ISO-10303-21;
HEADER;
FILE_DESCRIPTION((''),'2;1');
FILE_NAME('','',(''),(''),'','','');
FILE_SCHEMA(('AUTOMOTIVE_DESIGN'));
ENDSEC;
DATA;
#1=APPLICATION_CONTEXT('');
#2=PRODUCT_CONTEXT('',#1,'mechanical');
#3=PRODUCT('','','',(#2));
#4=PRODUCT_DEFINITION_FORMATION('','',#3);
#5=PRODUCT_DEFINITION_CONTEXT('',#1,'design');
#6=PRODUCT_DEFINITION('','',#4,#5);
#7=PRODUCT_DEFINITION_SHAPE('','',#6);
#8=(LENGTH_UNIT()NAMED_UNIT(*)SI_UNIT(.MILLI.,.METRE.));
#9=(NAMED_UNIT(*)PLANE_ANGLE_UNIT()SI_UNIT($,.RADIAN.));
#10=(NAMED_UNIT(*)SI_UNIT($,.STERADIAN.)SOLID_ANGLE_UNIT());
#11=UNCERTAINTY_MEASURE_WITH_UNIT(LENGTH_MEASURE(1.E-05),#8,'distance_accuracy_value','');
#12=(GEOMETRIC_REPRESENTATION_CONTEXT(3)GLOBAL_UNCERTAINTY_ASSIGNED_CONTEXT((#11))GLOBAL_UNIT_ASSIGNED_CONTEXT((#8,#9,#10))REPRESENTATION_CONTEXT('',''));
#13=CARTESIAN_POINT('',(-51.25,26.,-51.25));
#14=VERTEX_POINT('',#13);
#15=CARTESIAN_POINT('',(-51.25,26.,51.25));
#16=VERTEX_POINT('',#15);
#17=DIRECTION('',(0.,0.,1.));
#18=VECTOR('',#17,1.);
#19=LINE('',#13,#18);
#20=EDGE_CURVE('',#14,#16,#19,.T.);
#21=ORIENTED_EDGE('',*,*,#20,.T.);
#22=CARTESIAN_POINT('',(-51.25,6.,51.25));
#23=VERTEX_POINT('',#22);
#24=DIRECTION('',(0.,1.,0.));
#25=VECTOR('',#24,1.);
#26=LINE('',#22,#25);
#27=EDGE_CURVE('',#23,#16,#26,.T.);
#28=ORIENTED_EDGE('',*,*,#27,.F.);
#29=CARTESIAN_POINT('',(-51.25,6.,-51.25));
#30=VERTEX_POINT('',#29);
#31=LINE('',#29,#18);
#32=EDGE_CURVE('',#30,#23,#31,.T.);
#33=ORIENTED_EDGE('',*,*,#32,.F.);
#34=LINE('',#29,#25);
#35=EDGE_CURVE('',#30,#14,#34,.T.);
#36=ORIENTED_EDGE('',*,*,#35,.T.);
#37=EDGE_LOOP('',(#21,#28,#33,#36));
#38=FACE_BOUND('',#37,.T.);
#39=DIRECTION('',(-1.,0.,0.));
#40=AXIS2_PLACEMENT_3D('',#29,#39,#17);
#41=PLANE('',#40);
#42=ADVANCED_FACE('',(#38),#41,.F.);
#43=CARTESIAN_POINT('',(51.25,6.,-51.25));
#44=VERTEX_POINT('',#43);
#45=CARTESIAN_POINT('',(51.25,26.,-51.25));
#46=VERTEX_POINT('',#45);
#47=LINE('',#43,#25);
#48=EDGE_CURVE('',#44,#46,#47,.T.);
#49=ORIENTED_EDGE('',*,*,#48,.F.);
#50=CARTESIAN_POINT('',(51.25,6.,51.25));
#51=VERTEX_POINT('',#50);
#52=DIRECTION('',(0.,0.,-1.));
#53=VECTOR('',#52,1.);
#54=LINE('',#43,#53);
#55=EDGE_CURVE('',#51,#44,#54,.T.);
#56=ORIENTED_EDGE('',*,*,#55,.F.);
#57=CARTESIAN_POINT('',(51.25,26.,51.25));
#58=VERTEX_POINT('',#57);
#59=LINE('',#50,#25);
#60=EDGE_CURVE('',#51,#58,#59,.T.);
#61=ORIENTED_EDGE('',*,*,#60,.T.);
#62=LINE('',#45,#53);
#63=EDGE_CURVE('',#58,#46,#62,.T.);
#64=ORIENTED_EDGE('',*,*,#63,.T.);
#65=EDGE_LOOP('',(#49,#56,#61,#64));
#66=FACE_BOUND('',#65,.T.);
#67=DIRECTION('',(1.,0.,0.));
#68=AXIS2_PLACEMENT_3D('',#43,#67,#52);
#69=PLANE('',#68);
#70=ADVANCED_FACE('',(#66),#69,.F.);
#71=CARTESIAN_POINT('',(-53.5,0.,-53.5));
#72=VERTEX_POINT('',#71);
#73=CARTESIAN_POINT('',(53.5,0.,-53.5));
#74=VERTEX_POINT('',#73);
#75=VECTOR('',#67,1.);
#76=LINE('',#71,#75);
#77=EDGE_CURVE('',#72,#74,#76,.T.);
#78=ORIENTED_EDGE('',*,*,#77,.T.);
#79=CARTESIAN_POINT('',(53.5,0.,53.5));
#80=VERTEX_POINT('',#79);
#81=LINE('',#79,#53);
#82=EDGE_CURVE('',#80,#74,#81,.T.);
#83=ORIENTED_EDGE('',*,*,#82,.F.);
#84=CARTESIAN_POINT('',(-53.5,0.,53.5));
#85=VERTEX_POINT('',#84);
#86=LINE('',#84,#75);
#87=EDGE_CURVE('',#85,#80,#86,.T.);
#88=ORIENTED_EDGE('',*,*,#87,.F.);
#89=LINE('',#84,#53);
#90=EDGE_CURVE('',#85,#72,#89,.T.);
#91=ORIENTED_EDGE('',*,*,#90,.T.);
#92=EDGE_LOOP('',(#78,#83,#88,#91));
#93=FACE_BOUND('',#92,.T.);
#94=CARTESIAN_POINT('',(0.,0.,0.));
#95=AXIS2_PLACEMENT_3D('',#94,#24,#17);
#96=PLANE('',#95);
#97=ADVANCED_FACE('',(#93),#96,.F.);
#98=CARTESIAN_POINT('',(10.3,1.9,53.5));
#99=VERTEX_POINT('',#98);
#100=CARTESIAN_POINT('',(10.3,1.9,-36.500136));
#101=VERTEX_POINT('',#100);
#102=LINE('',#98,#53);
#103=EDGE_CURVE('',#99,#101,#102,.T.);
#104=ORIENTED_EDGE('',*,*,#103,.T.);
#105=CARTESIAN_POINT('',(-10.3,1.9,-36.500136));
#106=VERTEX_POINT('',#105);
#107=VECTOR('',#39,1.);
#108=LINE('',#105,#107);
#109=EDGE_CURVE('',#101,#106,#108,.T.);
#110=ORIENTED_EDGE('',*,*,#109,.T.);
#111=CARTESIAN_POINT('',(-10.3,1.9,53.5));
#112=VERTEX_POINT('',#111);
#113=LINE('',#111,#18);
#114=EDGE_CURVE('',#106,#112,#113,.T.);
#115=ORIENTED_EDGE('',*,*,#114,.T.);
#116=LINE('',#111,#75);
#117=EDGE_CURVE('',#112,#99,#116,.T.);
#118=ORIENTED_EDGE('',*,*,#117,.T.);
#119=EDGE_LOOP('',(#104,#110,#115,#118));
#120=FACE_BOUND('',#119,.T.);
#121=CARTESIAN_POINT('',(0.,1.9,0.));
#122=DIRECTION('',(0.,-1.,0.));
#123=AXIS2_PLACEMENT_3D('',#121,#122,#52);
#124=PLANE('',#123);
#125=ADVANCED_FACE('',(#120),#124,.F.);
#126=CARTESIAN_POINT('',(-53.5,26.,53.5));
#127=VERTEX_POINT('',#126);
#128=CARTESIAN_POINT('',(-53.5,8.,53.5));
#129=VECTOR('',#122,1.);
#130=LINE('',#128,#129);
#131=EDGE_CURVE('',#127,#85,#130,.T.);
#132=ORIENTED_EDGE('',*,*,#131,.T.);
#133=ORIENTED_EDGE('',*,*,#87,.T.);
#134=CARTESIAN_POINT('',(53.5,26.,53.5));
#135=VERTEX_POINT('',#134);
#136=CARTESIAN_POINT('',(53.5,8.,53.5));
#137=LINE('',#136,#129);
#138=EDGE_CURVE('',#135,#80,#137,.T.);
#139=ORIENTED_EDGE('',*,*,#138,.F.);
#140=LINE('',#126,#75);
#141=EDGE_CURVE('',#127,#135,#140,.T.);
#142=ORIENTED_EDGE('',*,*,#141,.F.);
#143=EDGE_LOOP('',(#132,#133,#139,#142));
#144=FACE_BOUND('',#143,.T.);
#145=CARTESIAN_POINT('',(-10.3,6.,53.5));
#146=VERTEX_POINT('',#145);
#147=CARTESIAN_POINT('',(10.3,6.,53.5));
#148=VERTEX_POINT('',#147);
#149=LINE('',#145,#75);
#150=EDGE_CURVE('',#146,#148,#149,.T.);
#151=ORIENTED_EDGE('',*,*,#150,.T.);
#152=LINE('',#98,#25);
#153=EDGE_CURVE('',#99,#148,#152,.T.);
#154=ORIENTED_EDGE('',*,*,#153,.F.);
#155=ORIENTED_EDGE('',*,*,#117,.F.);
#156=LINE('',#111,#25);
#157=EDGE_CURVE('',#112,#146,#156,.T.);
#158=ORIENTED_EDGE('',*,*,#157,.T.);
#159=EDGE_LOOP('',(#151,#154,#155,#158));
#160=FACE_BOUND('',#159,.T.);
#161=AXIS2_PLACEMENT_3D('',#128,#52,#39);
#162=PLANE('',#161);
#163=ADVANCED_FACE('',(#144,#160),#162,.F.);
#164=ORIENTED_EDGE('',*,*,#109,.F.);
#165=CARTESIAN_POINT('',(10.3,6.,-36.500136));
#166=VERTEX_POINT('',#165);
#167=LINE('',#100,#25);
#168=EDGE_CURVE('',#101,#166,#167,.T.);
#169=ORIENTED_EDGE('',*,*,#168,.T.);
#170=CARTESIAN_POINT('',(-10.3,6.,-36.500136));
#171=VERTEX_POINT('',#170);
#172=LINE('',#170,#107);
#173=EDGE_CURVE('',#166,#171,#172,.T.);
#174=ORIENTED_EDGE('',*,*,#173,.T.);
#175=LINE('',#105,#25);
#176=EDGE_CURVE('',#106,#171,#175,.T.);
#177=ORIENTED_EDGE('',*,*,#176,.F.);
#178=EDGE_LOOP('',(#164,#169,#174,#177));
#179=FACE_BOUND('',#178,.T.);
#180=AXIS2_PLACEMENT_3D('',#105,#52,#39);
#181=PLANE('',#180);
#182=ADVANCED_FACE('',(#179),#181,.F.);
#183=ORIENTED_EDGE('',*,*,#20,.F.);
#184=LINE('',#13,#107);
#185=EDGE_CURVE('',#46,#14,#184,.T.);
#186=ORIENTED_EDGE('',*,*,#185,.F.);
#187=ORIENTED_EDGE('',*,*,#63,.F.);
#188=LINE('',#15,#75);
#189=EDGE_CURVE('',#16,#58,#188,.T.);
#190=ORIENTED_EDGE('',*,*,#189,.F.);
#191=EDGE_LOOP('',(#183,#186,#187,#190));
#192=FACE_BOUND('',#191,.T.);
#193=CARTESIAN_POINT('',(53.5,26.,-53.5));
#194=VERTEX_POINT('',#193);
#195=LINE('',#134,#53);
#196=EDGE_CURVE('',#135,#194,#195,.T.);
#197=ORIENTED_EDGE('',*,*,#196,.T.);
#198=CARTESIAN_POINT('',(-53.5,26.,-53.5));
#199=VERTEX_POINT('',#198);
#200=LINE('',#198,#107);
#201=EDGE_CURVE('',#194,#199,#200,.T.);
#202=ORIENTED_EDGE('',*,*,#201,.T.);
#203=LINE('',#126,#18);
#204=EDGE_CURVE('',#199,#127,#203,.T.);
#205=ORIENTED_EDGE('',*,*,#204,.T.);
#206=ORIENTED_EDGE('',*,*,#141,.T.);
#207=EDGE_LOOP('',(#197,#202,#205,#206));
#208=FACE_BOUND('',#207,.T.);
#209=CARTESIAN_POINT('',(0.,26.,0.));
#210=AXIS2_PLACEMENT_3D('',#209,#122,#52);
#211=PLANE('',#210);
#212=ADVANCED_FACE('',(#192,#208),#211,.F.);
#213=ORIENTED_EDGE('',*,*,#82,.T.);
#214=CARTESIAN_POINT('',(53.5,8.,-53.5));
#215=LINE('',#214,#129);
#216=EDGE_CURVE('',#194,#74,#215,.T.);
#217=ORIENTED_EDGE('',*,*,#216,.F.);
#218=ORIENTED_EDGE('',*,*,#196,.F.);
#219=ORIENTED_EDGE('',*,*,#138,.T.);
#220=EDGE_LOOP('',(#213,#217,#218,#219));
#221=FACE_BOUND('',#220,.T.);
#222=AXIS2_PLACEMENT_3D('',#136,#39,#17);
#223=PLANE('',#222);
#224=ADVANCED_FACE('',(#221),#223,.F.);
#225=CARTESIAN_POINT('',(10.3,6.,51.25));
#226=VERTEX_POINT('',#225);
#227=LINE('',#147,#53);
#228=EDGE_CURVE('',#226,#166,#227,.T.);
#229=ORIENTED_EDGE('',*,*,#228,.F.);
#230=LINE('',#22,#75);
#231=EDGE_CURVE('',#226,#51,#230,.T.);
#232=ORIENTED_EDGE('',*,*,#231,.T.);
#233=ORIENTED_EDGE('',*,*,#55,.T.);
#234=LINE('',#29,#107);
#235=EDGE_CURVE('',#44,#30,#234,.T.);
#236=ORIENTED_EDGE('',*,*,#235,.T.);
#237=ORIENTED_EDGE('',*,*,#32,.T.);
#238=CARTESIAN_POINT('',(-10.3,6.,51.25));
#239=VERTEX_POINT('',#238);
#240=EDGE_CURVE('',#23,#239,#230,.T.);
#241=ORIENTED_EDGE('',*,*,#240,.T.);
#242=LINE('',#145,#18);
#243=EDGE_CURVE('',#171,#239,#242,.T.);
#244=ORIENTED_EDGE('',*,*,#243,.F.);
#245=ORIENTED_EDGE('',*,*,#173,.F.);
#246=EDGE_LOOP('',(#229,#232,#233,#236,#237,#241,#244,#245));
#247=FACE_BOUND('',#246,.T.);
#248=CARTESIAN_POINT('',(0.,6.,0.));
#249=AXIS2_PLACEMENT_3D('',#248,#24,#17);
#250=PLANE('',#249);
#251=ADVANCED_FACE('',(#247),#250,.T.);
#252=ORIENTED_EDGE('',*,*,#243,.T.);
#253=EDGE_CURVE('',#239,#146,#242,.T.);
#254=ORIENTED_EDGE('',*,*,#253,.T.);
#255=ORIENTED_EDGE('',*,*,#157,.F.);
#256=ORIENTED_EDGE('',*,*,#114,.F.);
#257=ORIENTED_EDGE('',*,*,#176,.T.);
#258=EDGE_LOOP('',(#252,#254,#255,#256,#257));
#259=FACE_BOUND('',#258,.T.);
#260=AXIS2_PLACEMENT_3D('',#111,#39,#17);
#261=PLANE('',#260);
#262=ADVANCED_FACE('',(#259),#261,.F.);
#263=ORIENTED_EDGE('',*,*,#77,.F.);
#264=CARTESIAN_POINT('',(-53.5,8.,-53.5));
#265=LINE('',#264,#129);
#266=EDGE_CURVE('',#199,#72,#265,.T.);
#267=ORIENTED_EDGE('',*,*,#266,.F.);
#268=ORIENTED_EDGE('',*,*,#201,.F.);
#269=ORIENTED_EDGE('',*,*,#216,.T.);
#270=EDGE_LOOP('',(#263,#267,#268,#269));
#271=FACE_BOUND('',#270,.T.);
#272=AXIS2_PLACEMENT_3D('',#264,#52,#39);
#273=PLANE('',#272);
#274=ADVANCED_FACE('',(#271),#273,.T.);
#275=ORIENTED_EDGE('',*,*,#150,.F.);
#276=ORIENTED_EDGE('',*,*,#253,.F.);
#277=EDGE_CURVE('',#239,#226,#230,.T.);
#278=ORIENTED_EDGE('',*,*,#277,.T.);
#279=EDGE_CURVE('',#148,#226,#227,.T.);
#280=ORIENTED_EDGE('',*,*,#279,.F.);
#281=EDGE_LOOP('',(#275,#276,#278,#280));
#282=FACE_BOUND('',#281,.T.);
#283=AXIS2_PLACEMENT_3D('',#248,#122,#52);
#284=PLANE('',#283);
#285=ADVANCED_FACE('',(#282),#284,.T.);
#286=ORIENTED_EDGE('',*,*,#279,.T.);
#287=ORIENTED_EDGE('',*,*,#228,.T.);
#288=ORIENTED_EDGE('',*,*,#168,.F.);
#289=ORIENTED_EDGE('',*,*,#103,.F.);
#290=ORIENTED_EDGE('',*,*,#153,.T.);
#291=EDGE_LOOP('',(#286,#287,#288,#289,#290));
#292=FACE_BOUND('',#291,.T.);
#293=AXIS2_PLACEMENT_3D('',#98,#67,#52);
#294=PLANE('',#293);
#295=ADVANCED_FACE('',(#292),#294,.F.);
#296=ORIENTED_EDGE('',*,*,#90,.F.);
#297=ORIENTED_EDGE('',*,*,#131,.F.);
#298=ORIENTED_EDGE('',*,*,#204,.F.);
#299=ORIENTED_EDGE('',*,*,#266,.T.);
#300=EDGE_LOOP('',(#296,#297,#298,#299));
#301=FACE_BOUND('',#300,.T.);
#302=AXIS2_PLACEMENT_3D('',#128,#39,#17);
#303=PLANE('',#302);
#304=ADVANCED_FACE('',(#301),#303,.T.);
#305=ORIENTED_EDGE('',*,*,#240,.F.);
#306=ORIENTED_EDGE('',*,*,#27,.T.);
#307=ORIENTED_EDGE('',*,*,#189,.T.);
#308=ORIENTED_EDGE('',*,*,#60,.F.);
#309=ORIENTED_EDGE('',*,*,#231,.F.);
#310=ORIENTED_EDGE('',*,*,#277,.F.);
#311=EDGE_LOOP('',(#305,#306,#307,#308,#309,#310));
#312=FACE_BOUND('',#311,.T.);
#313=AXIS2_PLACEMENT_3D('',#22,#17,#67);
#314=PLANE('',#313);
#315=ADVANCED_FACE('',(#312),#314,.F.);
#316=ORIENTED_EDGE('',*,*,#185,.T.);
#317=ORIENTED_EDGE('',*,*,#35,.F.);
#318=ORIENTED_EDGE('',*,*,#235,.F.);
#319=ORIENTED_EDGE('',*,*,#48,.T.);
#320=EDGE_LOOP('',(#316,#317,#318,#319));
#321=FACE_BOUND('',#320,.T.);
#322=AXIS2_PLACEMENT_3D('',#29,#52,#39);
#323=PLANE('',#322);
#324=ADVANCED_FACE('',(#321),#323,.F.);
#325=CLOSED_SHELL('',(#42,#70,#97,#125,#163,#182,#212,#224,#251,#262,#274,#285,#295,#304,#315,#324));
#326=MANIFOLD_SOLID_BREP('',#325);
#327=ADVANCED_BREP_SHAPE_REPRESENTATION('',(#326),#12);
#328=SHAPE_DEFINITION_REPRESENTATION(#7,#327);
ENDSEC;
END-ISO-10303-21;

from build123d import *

# Parameters (mm, degrees)
SKETCH2_W           = 107
SKETCH2_H           = 107
BOSS_EXTRUDE1_DEPTH = 8
SKETCH14_W          = 107
SKETCH14_H          = 107
BOSS_EXTRUDE2_DEPTH = 18
SKETCH15_W          = 102.5
SKETCH15_H          = 102.5
CUT_EXTRUDE4_DEPTH  = 20
SKETCH12_W          = 20.6
SKETCH12_H          = 90.000135975
CUT_EXTRUDE3_DEPTH  = 4.1


with BuildPart() as part:
    # Sketch2 → Boss-Extrude1 (new body)
    with BuildSketch(Plane(origin=(0, 0, 0), x_dir=(1, 0, 0), z_dir=(0, 1, 0))):
        Rectangle(SKETCH2_W, SKETCH2_H)
    extrude(amount=BOSS_EXTRUDE1_DEPTH)

    # Sketch14 → Boss-Extrude2 (add)
    with BuildSketch(Plane(origin=(0, 8, 0), x_dir=(1, 0, 0), z_dir=(0, 1, 0))):
        Rectangle(SKETCH14_W, SKETCH14_H)
    extrude(amount=BOSS_EXTRUDE2_DEPTH)

    # Sketch15 → Cut-Extrude4 (cut)
    with BuildSketch(Plane(origin=(0, 26, 0), x_dir=(1, 0, 0), z_dir=(0, 1, 0))):
        Rectangle(SKETCH15_W, SKETCH15_H)
    extrude(amount=-CUT_EXTRUDE4_DEPTH, mode=Mode.SUBTRACT)

    # Sketch12 → Cut-Extrude3 (cut)
    with BuildSketch(Plane(origin=(0, 6, 0), x_dir=(1, 0, 0), z_dir=(0, 1, 0))):
        with Locations((0, -8.499932013)):
            Rectangle(SKETCH12_W, SKETCH12_H)
    extrude(amount=-CUT_EXTRUDE3_DEPTH, mode=Mode.SUBTRACT)


solid = part.part
